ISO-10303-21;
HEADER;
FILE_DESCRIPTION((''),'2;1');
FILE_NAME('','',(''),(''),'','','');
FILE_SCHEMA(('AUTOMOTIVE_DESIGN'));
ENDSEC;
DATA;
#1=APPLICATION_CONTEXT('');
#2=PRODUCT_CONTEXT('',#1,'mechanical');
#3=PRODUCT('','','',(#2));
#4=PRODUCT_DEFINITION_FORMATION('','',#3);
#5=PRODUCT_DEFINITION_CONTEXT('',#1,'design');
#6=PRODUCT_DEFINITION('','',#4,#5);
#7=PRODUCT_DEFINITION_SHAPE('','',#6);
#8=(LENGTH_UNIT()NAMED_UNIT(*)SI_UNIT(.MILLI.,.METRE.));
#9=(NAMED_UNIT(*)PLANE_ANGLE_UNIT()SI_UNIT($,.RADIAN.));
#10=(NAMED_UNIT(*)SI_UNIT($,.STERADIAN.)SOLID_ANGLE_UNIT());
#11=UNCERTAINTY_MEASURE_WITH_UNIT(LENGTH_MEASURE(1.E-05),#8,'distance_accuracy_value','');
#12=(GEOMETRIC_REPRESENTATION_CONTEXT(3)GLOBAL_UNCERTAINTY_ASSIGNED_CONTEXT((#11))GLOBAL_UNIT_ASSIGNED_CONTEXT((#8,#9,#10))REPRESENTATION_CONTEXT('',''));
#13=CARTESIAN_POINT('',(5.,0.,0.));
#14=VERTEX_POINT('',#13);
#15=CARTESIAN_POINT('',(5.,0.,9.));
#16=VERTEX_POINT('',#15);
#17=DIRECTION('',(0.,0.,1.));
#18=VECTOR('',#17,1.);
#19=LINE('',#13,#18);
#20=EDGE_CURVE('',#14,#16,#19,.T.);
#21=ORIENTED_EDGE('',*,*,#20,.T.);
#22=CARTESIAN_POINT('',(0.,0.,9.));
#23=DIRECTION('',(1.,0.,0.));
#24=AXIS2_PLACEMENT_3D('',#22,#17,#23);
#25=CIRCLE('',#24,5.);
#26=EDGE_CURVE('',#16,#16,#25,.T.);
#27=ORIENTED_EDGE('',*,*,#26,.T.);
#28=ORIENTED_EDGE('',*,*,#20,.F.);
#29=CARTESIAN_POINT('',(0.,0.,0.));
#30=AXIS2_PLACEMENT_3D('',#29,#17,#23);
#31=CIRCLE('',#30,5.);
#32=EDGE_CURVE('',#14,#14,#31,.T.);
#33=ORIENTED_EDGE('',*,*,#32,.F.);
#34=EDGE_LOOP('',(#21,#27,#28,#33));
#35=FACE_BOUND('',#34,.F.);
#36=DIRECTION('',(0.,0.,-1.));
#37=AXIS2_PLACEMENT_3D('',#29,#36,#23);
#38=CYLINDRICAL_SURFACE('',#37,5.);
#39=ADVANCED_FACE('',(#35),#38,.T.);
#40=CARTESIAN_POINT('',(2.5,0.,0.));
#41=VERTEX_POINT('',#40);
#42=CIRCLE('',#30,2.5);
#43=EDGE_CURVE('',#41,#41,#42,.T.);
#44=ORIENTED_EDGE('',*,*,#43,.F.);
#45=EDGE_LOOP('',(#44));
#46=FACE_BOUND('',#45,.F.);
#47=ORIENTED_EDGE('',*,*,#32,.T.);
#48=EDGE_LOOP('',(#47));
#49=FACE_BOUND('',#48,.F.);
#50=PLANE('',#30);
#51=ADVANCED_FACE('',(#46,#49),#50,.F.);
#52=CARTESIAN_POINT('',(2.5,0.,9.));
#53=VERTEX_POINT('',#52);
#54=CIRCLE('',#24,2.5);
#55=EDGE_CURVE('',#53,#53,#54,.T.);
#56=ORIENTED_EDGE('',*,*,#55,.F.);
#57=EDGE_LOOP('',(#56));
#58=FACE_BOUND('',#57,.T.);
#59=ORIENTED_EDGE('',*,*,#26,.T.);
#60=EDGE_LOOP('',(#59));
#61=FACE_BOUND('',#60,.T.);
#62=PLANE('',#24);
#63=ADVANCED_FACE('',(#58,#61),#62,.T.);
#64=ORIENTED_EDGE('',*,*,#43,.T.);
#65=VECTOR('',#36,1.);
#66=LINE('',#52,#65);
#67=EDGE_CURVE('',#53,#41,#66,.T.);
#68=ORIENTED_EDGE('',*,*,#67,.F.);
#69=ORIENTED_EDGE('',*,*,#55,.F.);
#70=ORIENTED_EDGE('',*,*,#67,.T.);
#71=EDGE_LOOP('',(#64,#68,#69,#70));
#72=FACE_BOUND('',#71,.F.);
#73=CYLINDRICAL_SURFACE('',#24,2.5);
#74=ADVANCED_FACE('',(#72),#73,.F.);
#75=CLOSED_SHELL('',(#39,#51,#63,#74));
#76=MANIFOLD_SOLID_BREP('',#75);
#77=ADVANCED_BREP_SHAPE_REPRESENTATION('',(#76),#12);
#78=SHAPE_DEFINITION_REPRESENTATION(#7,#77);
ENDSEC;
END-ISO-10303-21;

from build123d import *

# Parameters (mm, degrees)
ESQUISSE1_R             = 5
BOSS_EXTRU_1_DEPTH      = 9
ESQUISSE2_R             = 2.5
ENL_V_MAT_EXTRU_1_DEPTH = 13


with BuildPart() as part:
    # Esquisse1 → Boss.-Extru.1 (new body)
    with BuildSketch(Plane.XY):
        Circle(ESQUISSE1_R)
    extrude(amount=BOSS_EXTRU_1_DEPTH)

    # Esquisse2 → Enlèv. mat.-Extru.1 (cut)
    with BuildSketch(Plane.XY.offset(9)):
        Circle(ESQUISSE2_R)
    extrude(amount=-ENL_V_MAT_EXTRU_1_DEPTH, mode=Mode.SUBTRACT)


solid = part.part
